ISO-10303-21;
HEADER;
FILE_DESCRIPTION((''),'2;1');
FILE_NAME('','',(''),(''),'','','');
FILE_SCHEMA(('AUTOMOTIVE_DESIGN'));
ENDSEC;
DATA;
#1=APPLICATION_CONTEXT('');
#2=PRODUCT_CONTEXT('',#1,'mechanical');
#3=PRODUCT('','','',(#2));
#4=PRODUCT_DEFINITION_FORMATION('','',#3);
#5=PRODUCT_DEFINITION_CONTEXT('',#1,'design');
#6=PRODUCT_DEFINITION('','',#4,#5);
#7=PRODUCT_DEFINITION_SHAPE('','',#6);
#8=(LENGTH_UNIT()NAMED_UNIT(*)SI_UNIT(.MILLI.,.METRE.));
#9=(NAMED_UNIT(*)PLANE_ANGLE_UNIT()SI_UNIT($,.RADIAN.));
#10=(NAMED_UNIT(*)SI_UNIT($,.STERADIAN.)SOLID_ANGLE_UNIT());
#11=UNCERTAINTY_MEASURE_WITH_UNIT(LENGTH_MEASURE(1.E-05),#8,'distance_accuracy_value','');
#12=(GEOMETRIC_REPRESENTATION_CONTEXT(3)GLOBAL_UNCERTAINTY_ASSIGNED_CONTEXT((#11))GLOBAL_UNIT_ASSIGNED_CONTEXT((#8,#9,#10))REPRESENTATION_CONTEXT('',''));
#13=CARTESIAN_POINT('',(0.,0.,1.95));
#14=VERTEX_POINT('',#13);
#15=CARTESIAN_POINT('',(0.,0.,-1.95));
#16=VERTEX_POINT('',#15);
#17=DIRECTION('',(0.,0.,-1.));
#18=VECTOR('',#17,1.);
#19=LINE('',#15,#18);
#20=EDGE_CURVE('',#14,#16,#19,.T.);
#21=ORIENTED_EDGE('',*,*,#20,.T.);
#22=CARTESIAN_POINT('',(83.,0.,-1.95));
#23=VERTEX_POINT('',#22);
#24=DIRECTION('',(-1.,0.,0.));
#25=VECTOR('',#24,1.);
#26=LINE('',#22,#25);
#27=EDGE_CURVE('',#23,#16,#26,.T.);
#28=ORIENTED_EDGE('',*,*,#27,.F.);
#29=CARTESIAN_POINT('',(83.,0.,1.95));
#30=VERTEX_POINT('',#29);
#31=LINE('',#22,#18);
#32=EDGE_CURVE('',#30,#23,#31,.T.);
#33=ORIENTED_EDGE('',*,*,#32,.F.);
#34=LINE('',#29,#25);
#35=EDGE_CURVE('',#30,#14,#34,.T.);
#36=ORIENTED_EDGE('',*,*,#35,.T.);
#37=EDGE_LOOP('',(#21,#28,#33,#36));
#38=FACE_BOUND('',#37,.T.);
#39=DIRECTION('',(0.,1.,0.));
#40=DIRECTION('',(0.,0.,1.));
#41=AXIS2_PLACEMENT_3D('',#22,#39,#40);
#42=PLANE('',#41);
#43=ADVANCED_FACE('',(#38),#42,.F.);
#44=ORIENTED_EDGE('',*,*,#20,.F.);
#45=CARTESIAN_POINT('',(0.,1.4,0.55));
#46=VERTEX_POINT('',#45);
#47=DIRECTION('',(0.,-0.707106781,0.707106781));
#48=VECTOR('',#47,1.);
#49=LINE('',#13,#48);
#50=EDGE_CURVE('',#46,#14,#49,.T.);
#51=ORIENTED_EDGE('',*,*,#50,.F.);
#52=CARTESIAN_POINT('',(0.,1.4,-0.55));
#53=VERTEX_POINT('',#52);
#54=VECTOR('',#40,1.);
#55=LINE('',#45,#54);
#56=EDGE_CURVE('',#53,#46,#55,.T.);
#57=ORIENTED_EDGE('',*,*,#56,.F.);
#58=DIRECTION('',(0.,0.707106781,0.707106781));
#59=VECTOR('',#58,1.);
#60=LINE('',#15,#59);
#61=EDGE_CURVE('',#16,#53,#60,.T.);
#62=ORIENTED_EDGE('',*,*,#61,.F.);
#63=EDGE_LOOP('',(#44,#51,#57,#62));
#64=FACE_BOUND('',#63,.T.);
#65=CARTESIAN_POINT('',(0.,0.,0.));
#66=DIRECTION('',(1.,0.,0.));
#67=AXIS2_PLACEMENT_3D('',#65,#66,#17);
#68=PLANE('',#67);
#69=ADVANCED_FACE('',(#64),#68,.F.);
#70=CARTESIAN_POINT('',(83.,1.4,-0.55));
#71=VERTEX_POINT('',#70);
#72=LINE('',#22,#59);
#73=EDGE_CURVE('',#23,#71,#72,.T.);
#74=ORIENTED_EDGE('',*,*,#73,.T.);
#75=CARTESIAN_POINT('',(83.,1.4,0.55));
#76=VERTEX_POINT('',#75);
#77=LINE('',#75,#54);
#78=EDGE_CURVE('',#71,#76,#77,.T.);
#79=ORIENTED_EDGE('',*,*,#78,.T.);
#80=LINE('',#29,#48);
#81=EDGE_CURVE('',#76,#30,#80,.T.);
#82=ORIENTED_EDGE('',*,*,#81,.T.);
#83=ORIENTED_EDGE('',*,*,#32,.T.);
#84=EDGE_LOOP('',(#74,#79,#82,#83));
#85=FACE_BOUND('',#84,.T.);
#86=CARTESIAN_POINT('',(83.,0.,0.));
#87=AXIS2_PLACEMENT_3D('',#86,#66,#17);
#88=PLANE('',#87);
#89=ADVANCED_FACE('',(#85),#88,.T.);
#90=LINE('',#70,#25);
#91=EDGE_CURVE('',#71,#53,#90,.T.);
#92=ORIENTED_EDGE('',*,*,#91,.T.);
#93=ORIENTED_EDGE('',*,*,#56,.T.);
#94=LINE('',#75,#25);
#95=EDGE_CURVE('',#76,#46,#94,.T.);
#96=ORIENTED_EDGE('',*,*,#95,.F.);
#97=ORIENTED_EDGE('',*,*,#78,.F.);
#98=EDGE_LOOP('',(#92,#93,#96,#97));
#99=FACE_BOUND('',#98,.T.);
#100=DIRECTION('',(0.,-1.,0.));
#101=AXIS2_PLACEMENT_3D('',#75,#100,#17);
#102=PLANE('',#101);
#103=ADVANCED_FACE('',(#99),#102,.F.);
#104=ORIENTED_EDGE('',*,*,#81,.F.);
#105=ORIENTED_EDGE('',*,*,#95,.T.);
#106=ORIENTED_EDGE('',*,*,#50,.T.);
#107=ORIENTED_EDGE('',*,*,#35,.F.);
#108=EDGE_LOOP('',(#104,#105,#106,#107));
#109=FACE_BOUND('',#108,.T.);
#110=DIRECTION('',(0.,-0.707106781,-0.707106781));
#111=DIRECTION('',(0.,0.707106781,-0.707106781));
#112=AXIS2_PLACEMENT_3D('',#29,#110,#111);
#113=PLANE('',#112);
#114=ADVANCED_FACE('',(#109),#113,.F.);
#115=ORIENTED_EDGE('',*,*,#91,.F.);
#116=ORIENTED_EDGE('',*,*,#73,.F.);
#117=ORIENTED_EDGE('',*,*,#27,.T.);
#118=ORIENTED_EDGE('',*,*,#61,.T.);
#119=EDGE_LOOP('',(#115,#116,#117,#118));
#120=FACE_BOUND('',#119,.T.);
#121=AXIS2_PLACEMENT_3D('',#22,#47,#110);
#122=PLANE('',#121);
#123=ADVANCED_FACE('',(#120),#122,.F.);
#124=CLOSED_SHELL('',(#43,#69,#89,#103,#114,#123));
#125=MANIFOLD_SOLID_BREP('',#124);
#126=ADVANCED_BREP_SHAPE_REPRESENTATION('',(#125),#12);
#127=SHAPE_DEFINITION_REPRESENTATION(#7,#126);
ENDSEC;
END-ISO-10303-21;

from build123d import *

# Parameters (mm, degrees)
BOSS_EXTRUDE1_DEPTH = 83


with BuildPart() as part:
    # Sketch1 → Boss-Extrude1 (new body)
    with BuildSketch(Plane(origin=(0, 0, 0), x_dir=(0, 0, -1), z_dir=(1, 0, 0))):
        Polygon((1.95, 0), (-1.95, 0), (-0.55, 1.4), (0.55, 1.4), align=None)
    extrude(amount=BOSS_EXTRUDE1_DEPTH)


solid = part.part
